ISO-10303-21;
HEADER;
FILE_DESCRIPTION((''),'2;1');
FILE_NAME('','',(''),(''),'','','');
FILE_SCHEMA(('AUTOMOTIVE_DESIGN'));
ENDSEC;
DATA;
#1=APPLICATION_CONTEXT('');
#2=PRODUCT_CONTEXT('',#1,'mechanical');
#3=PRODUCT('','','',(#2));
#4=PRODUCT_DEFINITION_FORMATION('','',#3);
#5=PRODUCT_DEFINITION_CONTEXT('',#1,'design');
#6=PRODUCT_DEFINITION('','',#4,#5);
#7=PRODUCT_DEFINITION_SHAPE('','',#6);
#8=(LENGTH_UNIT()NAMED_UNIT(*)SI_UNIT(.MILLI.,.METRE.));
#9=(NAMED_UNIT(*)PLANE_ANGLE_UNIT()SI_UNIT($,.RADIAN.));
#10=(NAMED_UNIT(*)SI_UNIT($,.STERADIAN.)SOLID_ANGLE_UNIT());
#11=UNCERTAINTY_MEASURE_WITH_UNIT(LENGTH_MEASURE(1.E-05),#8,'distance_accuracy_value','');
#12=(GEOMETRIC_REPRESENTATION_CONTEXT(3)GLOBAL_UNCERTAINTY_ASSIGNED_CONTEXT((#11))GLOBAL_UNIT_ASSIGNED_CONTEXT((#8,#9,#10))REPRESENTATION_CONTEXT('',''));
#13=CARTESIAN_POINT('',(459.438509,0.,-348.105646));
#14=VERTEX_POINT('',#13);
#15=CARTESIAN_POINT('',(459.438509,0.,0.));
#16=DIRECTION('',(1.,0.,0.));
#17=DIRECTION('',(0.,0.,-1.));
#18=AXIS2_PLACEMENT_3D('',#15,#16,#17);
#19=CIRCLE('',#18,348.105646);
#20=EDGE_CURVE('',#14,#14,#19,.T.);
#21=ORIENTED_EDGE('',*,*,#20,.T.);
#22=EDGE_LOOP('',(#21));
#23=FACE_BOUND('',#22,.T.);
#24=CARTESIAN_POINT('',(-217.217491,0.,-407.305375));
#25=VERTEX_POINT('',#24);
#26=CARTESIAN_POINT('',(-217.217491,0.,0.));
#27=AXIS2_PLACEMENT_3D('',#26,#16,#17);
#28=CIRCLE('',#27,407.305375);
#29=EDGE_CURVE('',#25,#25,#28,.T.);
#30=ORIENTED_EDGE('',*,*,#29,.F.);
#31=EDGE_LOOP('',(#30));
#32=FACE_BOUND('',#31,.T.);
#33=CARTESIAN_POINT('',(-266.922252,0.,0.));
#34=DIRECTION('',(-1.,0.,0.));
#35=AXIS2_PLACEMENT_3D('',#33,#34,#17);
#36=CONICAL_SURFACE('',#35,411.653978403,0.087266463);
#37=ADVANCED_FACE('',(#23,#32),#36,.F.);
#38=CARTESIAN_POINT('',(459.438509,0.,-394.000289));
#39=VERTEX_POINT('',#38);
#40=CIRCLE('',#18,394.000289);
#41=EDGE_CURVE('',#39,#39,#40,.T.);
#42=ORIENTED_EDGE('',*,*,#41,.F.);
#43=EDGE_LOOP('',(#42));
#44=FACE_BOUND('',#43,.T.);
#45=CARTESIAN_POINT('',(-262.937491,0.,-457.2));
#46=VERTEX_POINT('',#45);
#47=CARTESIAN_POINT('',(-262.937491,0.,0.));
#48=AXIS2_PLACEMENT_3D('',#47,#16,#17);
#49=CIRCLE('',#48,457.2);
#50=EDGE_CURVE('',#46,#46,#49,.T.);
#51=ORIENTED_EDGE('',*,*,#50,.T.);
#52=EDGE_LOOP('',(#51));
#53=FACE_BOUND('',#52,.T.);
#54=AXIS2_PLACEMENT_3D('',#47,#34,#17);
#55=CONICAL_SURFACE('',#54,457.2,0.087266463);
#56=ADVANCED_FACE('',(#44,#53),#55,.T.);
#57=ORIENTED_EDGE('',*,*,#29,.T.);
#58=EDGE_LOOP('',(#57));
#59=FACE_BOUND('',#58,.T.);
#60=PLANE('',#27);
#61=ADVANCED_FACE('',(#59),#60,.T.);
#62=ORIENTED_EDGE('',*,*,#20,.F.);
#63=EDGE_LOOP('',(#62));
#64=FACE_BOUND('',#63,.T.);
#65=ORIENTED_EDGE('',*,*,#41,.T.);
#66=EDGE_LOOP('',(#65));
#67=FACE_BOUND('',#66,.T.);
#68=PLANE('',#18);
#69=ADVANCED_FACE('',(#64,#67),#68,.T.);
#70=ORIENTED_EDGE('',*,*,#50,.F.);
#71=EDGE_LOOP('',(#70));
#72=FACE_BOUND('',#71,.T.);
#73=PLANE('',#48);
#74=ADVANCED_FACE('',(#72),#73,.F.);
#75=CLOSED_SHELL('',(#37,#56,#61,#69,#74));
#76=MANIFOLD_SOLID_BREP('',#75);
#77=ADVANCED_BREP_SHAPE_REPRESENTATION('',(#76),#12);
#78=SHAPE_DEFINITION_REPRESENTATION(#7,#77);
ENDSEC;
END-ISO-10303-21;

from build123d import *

# Parameters (mm, degrees)
SKETCH1_R           = 25.4
BOSS_EXTRUDE1_DEPTH = 40.132
BOSS_EXTRUDE1_TAPER = 5
SHELL1_T            = -2.54
SCALE1_SCALE        = 18


with BuildPart() as part:
    # Sketch1 → Boss-Extrude1 (new body)
    with BuildSketch(Plane(origin=(0, 0, 0), x_dir=(0, 0, -1), z_dir=(1, 0, 0))):
        Circle(SKETCH1_R)
    extrude(amount=BOSS_EXTRUDE1_DEPTH, taper=BOSS_EXTRUDE1_TAPER)

    # Shell1
    shell1_openings = [part.faces().sort_by_distance(p)[0] for p in [
        (40.132, 0, 0),
    ]]
    offset(amount=SHELL1_T, openings=shell1_openings, kind=Kind.INTERSECTION)


with BuildPart() as part_1:
    # Scale1: scaled about (15.466911265, 0, 0)
    add(part.part.scale(SCALE1_SCALE).moved(Location((-262.937491505, 0, 0))))


solid = part_1.part
